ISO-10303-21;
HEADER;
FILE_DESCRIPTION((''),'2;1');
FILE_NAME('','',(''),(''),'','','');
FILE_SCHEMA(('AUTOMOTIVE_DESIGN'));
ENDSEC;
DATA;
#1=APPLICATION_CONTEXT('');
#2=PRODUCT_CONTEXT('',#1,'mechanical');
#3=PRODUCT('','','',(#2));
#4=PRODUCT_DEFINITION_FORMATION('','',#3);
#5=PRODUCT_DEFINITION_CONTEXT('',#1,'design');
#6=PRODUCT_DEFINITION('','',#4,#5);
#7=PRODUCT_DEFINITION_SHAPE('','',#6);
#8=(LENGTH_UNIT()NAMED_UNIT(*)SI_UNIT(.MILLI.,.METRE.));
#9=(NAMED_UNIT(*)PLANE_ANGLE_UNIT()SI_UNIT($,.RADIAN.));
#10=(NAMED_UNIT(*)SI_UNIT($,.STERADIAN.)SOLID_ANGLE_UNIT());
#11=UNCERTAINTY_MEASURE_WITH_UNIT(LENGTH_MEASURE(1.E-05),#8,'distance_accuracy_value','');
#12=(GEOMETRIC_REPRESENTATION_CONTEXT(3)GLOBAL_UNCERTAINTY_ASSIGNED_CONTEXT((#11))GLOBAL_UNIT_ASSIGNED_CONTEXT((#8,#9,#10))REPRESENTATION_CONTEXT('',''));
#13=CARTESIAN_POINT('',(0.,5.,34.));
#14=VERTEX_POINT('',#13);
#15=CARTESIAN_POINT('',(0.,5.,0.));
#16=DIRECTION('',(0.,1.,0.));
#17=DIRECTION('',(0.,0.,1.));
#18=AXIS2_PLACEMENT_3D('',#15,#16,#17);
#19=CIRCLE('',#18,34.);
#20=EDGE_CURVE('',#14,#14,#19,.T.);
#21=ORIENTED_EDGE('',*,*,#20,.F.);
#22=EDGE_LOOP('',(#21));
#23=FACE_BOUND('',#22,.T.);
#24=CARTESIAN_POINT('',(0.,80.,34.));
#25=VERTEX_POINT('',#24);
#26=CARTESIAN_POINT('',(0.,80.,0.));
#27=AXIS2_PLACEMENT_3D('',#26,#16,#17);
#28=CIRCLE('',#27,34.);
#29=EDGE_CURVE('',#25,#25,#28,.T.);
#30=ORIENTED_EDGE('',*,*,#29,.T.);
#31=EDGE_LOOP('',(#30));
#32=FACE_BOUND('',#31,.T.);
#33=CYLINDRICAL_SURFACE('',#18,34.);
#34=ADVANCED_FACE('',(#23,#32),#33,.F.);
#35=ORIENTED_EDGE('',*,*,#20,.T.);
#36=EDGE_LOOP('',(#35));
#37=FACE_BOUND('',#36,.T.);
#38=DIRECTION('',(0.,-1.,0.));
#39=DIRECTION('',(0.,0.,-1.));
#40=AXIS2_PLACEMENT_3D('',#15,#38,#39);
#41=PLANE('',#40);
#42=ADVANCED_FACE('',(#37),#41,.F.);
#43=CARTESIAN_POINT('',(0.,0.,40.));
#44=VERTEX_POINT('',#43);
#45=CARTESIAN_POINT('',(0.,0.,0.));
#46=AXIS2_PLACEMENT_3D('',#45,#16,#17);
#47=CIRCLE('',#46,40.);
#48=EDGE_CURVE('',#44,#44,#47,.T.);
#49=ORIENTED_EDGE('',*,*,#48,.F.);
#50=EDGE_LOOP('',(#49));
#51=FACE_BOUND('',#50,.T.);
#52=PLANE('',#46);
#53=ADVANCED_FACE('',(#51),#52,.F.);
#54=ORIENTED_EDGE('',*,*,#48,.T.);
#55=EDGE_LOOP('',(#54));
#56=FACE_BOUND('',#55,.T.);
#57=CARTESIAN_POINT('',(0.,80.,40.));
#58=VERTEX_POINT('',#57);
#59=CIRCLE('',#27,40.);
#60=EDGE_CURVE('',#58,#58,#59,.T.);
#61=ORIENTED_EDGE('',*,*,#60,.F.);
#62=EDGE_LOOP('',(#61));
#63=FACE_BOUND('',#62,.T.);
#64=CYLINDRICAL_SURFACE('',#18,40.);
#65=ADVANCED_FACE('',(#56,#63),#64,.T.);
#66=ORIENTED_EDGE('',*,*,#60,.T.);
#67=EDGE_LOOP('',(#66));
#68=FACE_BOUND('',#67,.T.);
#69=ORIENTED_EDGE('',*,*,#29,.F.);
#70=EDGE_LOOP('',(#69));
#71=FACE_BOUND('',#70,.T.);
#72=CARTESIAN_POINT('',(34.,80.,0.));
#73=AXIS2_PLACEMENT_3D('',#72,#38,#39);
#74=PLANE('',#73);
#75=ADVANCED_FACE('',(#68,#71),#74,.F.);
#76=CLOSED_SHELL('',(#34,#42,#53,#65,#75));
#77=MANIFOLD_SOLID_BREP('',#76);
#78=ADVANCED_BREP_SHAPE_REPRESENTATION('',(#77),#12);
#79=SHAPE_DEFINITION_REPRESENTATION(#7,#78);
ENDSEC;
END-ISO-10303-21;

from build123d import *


with BuildPart() as part:
    # Esquisse1 → Révolution1 (revolve)
    with BuildSketch(Plane.XY):
        Polygon((0, 0), (40, 0), (40, 80), (34, 80), (34, 5), (0, 5), align=None)
    revolve(axis=Axis((0, 5, 0), (0, -1, 0)))


solid = part.part
